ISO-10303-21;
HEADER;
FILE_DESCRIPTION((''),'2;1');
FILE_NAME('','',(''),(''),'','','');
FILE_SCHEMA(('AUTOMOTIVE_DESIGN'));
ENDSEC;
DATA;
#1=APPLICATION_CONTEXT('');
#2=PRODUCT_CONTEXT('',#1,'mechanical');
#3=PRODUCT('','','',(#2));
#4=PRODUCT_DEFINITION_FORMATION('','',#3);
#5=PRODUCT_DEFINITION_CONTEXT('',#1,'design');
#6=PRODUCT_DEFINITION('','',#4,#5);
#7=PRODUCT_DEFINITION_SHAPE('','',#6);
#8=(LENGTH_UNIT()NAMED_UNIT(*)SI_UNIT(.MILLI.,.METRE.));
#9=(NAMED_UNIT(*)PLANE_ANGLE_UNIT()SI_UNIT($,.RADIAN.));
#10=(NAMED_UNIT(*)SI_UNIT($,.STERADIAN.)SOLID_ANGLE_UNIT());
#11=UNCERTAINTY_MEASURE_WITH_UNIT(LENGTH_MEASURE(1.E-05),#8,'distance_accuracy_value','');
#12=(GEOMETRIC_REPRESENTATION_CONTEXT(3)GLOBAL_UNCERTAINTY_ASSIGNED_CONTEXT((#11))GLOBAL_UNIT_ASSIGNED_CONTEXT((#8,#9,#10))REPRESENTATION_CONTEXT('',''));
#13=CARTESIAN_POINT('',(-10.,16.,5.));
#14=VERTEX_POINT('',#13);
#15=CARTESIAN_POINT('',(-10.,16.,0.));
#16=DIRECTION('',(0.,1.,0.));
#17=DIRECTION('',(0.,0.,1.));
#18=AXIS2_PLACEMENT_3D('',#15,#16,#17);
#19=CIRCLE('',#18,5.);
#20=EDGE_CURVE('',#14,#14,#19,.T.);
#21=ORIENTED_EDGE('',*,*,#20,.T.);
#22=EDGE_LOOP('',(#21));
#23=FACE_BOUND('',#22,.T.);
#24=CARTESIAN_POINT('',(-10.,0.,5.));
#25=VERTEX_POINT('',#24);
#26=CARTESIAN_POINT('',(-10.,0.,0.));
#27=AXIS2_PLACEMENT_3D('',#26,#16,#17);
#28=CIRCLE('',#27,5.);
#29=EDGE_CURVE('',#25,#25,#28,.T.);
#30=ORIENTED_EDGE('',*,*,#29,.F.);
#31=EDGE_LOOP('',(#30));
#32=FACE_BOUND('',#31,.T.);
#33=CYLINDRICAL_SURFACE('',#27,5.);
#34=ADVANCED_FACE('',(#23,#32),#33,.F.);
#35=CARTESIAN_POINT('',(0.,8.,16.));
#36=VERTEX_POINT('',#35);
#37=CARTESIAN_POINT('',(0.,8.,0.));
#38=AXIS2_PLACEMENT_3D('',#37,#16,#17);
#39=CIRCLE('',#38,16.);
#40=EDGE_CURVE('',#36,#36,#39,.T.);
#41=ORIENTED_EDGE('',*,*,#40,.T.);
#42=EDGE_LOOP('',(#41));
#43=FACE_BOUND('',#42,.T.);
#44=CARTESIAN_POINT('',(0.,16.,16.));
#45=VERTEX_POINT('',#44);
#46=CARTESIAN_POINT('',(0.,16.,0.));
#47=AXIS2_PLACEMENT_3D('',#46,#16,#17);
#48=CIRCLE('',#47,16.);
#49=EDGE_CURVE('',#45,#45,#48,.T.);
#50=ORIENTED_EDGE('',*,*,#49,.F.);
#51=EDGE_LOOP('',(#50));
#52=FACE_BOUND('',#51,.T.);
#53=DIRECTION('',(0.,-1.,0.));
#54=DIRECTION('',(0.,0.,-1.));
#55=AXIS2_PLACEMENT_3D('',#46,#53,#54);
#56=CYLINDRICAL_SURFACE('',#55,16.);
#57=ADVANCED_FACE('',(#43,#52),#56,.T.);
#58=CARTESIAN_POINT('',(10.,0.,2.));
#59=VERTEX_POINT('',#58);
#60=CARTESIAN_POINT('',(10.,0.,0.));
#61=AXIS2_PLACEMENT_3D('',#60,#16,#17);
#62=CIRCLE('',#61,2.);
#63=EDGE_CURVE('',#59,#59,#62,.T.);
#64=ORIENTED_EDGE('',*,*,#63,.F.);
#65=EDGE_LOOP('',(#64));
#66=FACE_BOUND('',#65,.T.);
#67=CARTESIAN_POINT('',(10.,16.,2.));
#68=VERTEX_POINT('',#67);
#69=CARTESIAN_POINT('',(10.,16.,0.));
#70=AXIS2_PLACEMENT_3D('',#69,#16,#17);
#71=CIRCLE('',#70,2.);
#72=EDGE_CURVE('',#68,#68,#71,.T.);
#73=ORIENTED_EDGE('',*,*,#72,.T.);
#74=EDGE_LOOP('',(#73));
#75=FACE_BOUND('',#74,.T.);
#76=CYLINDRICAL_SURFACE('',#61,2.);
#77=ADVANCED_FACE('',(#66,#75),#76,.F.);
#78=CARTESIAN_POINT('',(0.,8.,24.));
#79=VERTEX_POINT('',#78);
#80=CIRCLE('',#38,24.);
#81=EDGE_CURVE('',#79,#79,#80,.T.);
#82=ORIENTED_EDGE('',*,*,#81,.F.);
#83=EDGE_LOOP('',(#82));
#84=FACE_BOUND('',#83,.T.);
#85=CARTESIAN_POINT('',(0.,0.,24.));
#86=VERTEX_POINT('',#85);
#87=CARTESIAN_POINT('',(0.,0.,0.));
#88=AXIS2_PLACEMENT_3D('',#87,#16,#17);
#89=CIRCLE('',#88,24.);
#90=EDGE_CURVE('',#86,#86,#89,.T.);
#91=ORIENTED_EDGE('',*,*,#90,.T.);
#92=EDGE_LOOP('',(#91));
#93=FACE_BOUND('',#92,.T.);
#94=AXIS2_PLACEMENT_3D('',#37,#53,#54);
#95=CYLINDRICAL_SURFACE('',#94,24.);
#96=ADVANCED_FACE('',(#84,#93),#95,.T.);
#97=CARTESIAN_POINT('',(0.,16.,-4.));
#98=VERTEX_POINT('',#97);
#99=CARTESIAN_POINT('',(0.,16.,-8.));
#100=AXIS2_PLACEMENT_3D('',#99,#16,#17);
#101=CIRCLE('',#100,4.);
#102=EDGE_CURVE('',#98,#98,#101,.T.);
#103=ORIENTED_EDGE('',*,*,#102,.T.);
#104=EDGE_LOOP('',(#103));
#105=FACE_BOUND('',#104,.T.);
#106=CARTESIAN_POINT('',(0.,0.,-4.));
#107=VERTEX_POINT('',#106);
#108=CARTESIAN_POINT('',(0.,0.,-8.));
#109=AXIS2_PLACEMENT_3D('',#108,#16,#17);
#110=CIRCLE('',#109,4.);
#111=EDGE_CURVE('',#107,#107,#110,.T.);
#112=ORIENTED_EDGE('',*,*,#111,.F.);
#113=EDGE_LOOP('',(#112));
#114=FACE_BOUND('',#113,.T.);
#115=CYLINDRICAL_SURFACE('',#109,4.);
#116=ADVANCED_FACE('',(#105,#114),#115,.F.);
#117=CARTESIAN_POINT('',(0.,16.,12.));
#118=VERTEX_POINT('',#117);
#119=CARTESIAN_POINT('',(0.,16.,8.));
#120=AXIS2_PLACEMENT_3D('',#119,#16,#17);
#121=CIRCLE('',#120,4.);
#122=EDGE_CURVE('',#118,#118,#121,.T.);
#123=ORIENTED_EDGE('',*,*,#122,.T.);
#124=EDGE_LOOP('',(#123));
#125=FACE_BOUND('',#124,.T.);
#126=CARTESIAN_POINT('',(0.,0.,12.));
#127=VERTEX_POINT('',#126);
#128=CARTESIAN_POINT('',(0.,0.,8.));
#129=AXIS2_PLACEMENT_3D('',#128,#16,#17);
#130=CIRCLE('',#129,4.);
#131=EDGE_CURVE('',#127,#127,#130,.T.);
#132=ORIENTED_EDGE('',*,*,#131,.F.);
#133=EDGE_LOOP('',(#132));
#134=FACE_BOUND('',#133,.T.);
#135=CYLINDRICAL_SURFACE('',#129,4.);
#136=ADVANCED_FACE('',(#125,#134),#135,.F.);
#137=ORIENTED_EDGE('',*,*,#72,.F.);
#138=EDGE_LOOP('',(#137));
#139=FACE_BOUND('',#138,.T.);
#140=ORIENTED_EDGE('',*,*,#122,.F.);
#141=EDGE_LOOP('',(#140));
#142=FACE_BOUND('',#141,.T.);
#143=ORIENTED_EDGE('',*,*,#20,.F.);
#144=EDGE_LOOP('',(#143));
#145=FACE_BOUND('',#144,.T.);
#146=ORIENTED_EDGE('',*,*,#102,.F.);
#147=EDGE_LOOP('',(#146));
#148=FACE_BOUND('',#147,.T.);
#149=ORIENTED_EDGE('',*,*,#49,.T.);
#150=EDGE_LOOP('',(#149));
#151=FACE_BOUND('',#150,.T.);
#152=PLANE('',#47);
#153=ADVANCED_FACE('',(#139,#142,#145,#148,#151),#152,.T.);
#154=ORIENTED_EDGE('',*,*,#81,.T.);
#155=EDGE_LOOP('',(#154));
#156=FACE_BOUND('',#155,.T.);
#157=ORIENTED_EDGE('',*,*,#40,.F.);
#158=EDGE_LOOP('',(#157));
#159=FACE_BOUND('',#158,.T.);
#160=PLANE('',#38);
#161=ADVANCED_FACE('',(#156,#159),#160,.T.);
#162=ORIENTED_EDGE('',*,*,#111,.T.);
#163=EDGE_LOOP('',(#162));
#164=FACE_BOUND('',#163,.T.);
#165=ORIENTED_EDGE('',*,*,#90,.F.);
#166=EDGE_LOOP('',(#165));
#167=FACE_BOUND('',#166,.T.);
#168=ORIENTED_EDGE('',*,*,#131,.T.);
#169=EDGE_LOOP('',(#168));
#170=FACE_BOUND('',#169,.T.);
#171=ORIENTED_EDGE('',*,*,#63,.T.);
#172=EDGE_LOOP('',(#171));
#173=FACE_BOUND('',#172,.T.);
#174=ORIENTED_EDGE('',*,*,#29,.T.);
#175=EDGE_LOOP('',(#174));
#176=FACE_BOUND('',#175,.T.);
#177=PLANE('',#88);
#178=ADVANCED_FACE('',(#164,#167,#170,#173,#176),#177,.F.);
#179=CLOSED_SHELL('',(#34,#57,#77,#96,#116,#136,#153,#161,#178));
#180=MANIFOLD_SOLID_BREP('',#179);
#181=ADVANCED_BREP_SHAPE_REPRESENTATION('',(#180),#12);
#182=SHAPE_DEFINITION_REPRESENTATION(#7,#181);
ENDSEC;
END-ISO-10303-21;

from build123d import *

# Parameters (mm, degrees)
SKETCH_1_R          = 24
EXTRUDE_1_DEPTH     = 8
SKETCH_2_R          = 16
EXTRUDE_2_DEPTH     = 8
SKETCH_4_R          = 5
SKETCH_4_R_2        = 4
SKETCH_4_R_3        = 2
CUT_EXTRUDE_1_DEPTH = 38.523326079


with BuildPart() as part:
    # 草图1 → 凸台-拉伸1 (new body)
    with BuildSketch(Plane(origin=(0, 0, 0), x_dir=(1, 0, 0), z_dir=(0, 1, 0))):
        with Locations(Location((0, 0, 0), (0, 0, 270))):
            Circle(SKETCH_1_R)
    extrude(amount=EXTRUDE_1_DEPTH)

    # 草图2 → 凸台-拉伸2 (add)
    with BuildSketch(Plane(origin=(0, 8, 0), x_dir=(1, 0, 0), z_dir=(0, 1, 0))):
        with Locations(Location((0, 0, 0), (0, 0, 270))):
            Circle(SKETCH_2_R)
    extrude(amount=EXTRUDE_2_DEPTH)

    # 草图4 → 切除-拉伸1 (cut, through all)
    with BuildSketch(Plane(origin=(0, 16, 0), x_dir=(1, 0, 0), z_dir=(0, 1, 0))):
        with Locations(Location((-10, 0, 0), (0, 0, 270))):
            Circle(SKETCH_4_R)
        with Locations(Location((0, 8, 0), (0, 0, 270))):
            Circle(SKETCH_4_R_2)
        with Locations(Location((0, -8, 0), (0, 0, 270))):
            Circle(SKETCH_4_R_2)
        with Locations(Location((10, 0, 0), (0, 0, 270))):
            Circle(SKETCH_4_R_3)
    extrude(amount=-CUT_EXTRUDE_1_DEPTH, mode=Mode.SUBTRACT)


solid = part.part
